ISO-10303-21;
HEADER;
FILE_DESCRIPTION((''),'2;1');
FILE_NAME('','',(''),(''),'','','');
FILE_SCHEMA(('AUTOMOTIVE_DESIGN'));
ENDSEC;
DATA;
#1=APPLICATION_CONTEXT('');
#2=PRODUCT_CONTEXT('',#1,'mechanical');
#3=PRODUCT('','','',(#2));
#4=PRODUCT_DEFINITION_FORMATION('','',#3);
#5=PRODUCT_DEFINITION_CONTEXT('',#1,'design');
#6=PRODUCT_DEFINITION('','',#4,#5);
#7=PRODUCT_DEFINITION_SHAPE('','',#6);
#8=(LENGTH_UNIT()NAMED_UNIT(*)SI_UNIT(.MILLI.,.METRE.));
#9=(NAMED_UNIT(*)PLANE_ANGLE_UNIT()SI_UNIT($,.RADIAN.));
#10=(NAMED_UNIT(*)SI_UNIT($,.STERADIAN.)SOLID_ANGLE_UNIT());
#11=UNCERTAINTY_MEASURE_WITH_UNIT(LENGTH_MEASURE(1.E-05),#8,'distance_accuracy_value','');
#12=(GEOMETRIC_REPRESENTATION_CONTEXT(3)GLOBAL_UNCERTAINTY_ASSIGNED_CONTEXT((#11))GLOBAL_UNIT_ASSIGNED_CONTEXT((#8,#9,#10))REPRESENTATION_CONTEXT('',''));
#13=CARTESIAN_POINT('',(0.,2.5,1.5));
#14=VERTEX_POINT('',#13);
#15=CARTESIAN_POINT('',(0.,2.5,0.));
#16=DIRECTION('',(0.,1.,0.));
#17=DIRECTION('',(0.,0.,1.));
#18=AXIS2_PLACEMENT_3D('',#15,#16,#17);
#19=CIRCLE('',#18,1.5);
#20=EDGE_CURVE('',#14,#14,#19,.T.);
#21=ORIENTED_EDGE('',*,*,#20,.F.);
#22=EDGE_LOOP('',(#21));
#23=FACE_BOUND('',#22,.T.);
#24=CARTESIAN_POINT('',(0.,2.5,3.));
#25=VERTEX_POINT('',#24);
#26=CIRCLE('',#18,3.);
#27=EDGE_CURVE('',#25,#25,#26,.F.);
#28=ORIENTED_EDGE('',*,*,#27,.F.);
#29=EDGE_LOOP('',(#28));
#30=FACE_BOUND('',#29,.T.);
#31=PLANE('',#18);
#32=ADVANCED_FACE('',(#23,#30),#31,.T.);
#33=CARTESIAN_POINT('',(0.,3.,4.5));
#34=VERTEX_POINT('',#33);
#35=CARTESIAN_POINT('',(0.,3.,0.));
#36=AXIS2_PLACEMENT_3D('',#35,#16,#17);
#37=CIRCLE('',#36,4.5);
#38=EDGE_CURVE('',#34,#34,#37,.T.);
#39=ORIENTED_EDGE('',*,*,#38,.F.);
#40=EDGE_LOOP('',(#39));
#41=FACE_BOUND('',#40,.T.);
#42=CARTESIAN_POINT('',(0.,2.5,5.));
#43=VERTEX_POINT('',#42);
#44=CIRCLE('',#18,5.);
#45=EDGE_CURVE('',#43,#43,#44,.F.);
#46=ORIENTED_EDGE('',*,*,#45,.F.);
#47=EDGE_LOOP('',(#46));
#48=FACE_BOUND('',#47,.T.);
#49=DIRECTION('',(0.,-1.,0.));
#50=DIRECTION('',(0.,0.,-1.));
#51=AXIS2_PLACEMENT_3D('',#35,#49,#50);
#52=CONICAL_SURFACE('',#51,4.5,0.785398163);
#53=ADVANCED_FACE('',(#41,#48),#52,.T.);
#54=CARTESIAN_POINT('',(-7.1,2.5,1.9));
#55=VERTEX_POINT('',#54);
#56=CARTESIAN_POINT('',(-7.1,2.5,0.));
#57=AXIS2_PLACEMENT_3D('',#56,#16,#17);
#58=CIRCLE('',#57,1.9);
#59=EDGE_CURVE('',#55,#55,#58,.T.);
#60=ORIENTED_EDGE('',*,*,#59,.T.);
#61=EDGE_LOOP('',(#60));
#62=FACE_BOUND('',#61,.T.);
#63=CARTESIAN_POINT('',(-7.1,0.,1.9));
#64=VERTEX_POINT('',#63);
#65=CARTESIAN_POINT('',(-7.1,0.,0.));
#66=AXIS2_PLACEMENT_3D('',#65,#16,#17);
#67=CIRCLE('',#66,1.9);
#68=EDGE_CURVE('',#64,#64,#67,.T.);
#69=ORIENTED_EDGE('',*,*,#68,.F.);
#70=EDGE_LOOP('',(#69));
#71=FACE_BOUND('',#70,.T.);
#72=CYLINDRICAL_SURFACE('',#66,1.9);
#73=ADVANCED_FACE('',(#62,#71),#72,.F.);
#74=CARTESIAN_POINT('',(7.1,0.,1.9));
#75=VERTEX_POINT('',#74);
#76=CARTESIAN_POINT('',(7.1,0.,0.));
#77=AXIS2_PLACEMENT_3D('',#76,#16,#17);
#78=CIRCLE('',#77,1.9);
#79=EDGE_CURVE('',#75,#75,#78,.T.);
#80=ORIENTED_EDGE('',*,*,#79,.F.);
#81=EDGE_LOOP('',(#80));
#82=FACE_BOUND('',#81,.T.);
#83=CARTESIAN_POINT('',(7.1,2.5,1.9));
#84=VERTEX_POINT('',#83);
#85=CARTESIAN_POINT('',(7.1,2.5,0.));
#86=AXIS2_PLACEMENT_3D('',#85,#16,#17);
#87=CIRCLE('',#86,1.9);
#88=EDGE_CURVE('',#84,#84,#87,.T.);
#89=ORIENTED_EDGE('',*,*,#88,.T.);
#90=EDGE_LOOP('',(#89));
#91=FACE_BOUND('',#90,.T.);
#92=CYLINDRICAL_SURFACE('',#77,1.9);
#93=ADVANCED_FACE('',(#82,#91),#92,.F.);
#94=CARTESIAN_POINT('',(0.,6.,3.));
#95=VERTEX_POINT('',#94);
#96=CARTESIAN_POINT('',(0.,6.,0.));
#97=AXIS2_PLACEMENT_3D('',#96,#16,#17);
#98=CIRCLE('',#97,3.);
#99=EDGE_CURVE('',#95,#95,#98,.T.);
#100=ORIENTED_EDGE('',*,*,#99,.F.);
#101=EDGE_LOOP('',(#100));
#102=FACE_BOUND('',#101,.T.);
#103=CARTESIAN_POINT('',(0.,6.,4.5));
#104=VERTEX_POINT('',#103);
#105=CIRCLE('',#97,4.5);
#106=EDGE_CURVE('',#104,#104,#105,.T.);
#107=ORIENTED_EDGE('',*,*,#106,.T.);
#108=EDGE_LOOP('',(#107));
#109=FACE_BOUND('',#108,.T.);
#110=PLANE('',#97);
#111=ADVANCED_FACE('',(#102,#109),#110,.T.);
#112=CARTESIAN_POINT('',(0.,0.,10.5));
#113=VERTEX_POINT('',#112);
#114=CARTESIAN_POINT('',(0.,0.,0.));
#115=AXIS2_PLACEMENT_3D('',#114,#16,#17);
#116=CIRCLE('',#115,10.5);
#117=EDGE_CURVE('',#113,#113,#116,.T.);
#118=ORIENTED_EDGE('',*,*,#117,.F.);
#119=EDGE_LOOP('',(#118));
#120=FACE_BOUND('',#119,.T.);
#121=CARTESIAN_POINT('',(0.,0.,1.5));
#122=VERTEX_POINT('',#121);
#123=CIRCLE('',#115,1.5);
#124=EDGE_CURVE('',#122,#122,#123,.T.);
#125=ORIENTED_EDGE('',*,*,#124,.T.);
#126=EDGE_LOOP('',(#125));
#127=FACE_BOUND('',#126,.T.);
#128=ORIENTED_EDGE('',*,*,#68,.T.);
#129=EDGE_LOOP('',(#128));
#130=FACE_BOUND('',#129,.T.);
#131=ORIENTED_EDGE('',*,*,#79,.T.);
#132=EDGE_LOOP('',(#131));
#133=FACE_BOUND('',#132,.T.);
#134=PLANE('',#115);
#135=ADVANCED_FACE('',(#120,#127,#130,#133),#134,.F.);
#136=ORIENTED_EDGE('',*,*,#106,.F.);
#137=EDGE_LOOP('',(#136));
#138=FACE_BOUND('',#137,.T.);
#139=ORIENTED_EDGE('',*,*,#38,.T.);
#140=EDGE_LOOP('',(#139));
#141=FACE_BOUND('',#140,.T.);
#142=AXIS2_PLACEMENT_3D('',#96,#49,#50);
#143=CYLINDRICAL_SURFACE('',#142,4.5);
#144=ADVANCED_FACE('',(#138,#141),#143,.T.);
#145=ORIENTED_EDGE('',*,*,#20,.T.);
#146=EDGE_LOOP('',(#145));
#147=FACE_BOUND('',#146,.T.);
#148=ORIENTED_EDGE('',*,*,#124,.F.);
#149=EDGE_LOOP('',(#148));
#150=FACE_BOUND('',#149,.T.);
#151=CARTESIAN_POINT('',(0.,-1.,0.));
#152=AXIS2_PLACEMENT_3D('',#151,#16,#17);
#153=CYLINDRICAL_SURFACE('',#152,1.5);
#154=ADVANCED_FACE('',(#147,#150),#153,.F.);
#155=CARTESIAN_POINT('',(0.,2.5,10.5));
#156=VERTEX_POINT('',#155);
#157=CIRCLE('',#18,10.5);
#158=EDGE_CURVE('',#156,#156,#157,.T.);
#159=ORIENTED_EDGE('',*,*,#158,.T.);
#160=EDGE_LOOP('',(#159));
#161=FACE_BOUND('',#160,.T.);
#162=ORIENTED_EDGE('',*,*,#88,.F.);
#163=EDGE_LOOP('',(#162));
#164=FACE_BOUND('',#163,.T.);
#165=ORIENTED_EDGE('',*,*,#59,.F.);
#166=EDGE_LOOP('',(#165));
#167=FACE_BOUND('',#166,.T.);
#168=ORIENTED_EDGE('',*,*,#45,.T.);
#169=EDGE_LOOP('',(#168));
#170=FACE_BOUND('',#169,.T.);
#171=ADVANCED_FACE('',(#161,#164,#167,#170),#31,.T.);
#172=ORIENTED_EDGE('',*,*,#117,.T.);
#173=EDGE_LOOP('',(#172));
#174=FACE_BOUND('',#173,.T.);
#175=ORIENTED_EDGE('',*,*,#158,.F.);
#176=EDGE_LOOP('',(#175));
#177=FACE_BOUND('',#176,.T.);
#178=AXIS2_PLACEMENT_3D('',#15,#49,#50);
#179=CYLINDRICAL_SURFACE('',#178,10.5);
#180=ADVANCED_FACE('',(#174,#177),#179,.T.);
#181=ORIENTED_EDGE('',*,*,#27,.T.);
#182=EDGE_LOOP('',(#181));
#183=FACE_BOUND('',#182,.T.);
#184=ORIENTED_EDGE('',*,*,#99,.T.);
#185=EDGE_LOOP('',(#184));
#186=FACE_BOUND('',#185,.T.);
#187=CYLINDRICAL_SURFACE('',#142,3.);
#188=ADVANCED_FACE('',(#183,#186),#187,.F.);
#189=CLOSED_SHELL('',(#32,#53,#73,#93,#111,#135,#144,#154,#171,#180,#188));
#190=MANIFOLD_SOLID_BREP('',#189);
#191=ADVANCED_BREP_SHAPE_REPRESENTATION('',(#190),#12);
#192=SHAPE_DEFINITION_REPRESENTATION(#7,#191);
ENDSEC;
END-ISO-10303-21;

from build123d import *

# Parameters (mm, degrees)
SKETCH1_R               = 10.5
BOSS_EXTRUDE1_DEPTH     = 2.5
SKETCH2_R               = 4.5
SKETCH2_R_2             = 3
BOSS_EXTRUDE2_DEPTH     = 3.5
SKETCH4_R               = 1.5
CUT_EXTRUDE1_DEPTH      = 3.5
CUT_EXTRUDE2_DEPTH      = 16.256146302
CUT_EXTRUDE2_DEPTH_BACK = 16.256146302
SKETCH5_R               = 1.9
CHAMFER1_SIZE           = 0.5


with BuildPart() as part:
    # Sketch1 → Boss-Extrude1 (new body)
    with BuildSketch(Plane(origin=(0, 0, 0), x_dir=(1, 0, 0), z_dir=(0, 1, 0))):
        with Locations(Location((0, 0, 0), (0, 0, 270))):
            Circle(SKETCH1_R)
    extrude(amount=BOSS_EXTRUDE1_DEPTH)

    # Sketch2 → Boss-Extrude2 (add)
    with BuildSketch(Plane(origin=(0, 2.5, 0), x_dir=(1, 0, 0), z_dir=(0, 1, 0))):
        with Locations(Location((0, 0, 0), (0, 0, 270))):
            Circle(SKETCH2_R)
        with Locations(Location((0, 0, 0), (0, 0, 270))):
            Circle(SKETCH2_R_2, mode=Mode.SUBTRACT)
    extrude(amount=BOSS_EXTRUDE2_DEPTH)

    # Sketch4 → Cut-Extrude1 (cut)
    with BuildSketch(Plane(origin=(0, 2.5, 0), x_dir=(1, 0, 0), z_dir=(0, 1, 0))):
        with Locations(Location((0, 0, 0), (0, 0, 270))):
            Circle(SKETCH4_R)
    extrude(amount=-CUT_EXTRUDE1_DEPTH, mode=Mode.SUBTRACT)

    # Sketch5 → Cut-Extrude2 (cut, two sides: drawn at the far end of the back side and taken through both)
    with BuildSketch(Plane(origin=(0, 2.5, 0), x_dir=(1, 0, 0), z_dir=(0, 1, 0)).offset(-CUT_EXTRUDE2_DEPTH_BACK)):
        with Locations(Location((-7.1, 0, 0), (0, 0, 270))):
            Circle(SKETCH5_R)
        with Locations(Location((7.1, 0, 0), (0, 0, 270))):
            Circle(SKETCH5_R)
    extrude(amount=CUT_EXTRUDE2_DEPTH + CUT_EXTRUDE2_DEPTH_BACK, mode=Mode.SUBTRACT)

    # Chamfer1
    chamfer1_edges = [part.edges().sort_by_distance(p)[0] for p in [
        (0, 2.5, -4.5),
    ]]
    chamfer(chamfer1_edges, length=CHAMFER1_SIZE)


solid = part.part
